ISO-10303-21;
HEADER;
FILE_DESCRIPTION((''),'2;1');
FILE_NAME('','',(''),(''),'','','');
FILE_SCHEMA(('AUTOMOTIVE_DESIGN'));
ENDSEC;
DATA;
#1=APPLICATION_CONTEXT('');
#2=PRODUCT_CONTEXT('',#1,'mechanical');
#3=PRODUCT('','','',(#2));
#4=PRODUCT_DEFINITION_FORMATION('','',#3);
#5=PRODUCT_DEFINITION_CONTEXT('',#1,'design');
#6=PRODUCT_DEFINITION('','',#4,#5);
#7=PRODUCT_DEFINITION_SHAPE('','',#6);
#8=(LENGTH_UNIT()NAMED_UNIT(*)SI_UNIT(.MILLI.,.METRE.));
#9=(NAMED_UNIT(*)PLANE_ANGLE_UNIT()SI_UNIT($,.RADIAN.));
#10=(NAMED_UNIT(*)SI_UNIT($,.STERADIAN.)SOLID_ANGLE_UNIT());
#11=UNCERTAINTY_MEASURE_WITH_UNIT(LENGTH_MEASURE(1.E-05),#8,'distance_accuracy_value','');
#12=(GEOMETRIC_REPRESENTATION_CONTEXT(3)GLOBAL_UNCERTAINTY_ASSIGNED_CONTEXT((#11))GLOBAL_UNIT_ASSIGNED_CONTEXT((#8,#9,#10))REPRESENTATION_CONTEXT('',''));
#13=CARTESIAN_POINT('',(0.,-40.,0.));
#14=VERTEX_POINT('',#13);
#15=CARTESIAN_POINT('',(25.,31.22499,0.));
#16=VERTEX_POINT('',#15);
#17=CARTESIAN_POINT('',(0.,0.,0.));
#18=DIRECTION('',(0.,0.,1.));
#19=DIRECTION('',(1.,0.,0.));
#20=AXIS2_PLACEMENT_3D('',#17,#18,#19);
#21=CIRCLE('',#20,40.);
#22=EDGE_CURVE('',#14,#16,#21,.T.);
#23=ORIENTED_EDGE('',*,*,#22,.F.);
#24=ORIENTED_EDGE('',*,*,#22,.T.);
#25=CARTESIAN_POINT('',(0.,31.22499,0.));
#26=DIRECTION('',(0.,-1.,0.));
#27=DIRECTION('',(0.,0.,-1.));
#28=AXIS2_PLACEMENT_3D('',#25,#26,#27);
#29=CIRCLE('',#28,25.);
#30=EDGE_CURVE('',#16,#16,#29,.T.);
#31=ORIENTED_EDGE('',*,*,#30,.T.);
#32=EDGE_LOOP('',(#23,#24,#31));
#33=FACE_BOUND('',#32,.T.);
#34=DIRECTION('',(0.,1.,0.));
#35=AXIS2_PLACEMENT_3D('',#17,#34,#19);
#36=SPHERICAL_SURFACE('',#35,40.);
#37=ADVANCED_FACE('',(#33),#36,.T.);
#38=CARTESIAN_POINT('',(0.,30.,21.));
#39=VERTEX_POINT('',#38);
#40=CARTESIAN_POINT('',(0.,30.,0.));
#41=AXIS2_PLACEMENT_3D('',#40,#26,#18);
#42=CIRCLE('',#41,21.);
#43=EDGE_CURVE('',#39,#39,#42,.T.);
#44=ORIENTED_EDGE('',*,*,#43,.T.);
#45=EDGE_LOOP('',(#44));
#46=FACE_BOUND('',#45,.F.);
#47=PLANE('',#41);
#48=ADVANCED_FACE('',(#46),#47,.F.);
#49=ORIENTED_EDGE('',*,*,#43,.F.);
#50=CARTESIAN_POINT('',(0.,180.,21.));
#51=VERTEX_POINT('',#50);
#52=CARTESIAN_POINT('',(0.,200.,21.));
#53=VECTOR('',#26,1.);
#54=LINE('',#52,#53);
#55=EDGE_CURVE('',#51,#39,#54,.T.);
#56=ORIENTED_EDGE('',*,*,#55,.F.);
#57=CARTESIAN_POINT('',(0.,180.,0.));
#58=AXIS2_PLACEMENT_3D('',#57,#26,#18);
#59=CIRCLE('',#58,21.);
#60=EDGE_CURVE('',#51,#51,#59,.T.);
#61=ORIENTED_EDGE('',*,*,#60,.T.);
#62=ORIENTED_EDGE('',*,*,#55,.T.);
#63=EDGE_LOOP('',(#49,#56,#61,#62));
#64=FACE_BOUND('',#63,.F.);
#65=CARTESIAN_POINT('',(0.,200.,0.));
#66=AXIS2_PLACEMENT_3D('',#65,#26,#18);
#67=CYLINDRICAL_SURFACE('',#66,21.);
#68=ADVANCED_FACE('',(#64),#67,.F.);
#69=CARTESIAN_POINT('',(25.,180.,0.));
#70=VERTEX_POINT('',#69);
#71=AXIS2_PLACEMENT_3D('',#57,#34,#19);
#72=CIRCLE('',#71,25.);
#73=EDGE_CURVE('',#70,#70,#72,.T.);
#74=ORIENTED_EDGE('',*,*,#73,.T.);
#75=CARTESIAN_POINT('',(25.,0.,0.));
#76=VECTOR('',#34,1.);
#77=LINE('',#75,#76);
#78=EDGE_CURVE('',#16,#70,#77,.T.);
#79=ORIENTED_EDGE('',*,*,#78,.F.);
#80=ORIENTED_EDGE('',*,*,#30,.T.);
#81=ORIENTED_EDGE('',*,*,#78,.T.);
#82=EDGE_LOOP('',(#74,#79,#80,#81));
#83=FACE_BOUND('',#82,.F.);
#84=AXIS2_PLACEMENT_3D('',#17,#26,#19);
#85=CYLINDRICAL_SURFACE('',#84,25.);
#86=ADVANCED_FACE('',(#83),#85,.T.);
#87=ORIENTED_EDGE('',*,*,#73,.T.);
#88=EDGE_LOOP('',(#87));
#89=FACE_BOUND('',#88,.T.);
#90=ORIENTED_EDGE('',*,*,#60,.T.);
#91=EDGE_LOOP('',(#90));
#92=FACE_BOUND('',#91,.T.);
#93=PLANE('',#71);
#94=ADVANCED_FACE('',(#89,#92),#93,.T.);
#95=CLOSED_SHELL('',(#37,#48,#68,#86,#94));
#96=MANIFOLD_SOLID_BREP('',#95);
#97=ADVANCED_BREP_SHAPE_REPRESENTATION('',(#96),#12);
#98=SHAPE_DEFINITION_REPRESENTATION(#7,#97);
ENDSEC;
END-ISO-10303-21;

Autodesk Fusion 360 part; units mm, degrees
sphere "SpherePrimitive1" add diameter 80 placed x (1, 0, 0) y (0, 0, -1) z (0, 1, 0) at (0, 0, 0)
sketch "Sketch2" plane through (0, 0, 0) normal (0, 1, 0) x (1, 0, 0)
  circle A0 centre (0, 0) radius 25
  dimension "d2" = 50
extrude "Extrude1" add sketch "Sketch2" along normal blind 200
hole "Hole1" at (0, 200, 0) direction (0, -1, 0) diameter 42 depth 170 tip angle 180
extrude "Extrude2" cut 1 faces at (23.554, 200, 1.7651) along direction (0, -1, 0) blind 20
